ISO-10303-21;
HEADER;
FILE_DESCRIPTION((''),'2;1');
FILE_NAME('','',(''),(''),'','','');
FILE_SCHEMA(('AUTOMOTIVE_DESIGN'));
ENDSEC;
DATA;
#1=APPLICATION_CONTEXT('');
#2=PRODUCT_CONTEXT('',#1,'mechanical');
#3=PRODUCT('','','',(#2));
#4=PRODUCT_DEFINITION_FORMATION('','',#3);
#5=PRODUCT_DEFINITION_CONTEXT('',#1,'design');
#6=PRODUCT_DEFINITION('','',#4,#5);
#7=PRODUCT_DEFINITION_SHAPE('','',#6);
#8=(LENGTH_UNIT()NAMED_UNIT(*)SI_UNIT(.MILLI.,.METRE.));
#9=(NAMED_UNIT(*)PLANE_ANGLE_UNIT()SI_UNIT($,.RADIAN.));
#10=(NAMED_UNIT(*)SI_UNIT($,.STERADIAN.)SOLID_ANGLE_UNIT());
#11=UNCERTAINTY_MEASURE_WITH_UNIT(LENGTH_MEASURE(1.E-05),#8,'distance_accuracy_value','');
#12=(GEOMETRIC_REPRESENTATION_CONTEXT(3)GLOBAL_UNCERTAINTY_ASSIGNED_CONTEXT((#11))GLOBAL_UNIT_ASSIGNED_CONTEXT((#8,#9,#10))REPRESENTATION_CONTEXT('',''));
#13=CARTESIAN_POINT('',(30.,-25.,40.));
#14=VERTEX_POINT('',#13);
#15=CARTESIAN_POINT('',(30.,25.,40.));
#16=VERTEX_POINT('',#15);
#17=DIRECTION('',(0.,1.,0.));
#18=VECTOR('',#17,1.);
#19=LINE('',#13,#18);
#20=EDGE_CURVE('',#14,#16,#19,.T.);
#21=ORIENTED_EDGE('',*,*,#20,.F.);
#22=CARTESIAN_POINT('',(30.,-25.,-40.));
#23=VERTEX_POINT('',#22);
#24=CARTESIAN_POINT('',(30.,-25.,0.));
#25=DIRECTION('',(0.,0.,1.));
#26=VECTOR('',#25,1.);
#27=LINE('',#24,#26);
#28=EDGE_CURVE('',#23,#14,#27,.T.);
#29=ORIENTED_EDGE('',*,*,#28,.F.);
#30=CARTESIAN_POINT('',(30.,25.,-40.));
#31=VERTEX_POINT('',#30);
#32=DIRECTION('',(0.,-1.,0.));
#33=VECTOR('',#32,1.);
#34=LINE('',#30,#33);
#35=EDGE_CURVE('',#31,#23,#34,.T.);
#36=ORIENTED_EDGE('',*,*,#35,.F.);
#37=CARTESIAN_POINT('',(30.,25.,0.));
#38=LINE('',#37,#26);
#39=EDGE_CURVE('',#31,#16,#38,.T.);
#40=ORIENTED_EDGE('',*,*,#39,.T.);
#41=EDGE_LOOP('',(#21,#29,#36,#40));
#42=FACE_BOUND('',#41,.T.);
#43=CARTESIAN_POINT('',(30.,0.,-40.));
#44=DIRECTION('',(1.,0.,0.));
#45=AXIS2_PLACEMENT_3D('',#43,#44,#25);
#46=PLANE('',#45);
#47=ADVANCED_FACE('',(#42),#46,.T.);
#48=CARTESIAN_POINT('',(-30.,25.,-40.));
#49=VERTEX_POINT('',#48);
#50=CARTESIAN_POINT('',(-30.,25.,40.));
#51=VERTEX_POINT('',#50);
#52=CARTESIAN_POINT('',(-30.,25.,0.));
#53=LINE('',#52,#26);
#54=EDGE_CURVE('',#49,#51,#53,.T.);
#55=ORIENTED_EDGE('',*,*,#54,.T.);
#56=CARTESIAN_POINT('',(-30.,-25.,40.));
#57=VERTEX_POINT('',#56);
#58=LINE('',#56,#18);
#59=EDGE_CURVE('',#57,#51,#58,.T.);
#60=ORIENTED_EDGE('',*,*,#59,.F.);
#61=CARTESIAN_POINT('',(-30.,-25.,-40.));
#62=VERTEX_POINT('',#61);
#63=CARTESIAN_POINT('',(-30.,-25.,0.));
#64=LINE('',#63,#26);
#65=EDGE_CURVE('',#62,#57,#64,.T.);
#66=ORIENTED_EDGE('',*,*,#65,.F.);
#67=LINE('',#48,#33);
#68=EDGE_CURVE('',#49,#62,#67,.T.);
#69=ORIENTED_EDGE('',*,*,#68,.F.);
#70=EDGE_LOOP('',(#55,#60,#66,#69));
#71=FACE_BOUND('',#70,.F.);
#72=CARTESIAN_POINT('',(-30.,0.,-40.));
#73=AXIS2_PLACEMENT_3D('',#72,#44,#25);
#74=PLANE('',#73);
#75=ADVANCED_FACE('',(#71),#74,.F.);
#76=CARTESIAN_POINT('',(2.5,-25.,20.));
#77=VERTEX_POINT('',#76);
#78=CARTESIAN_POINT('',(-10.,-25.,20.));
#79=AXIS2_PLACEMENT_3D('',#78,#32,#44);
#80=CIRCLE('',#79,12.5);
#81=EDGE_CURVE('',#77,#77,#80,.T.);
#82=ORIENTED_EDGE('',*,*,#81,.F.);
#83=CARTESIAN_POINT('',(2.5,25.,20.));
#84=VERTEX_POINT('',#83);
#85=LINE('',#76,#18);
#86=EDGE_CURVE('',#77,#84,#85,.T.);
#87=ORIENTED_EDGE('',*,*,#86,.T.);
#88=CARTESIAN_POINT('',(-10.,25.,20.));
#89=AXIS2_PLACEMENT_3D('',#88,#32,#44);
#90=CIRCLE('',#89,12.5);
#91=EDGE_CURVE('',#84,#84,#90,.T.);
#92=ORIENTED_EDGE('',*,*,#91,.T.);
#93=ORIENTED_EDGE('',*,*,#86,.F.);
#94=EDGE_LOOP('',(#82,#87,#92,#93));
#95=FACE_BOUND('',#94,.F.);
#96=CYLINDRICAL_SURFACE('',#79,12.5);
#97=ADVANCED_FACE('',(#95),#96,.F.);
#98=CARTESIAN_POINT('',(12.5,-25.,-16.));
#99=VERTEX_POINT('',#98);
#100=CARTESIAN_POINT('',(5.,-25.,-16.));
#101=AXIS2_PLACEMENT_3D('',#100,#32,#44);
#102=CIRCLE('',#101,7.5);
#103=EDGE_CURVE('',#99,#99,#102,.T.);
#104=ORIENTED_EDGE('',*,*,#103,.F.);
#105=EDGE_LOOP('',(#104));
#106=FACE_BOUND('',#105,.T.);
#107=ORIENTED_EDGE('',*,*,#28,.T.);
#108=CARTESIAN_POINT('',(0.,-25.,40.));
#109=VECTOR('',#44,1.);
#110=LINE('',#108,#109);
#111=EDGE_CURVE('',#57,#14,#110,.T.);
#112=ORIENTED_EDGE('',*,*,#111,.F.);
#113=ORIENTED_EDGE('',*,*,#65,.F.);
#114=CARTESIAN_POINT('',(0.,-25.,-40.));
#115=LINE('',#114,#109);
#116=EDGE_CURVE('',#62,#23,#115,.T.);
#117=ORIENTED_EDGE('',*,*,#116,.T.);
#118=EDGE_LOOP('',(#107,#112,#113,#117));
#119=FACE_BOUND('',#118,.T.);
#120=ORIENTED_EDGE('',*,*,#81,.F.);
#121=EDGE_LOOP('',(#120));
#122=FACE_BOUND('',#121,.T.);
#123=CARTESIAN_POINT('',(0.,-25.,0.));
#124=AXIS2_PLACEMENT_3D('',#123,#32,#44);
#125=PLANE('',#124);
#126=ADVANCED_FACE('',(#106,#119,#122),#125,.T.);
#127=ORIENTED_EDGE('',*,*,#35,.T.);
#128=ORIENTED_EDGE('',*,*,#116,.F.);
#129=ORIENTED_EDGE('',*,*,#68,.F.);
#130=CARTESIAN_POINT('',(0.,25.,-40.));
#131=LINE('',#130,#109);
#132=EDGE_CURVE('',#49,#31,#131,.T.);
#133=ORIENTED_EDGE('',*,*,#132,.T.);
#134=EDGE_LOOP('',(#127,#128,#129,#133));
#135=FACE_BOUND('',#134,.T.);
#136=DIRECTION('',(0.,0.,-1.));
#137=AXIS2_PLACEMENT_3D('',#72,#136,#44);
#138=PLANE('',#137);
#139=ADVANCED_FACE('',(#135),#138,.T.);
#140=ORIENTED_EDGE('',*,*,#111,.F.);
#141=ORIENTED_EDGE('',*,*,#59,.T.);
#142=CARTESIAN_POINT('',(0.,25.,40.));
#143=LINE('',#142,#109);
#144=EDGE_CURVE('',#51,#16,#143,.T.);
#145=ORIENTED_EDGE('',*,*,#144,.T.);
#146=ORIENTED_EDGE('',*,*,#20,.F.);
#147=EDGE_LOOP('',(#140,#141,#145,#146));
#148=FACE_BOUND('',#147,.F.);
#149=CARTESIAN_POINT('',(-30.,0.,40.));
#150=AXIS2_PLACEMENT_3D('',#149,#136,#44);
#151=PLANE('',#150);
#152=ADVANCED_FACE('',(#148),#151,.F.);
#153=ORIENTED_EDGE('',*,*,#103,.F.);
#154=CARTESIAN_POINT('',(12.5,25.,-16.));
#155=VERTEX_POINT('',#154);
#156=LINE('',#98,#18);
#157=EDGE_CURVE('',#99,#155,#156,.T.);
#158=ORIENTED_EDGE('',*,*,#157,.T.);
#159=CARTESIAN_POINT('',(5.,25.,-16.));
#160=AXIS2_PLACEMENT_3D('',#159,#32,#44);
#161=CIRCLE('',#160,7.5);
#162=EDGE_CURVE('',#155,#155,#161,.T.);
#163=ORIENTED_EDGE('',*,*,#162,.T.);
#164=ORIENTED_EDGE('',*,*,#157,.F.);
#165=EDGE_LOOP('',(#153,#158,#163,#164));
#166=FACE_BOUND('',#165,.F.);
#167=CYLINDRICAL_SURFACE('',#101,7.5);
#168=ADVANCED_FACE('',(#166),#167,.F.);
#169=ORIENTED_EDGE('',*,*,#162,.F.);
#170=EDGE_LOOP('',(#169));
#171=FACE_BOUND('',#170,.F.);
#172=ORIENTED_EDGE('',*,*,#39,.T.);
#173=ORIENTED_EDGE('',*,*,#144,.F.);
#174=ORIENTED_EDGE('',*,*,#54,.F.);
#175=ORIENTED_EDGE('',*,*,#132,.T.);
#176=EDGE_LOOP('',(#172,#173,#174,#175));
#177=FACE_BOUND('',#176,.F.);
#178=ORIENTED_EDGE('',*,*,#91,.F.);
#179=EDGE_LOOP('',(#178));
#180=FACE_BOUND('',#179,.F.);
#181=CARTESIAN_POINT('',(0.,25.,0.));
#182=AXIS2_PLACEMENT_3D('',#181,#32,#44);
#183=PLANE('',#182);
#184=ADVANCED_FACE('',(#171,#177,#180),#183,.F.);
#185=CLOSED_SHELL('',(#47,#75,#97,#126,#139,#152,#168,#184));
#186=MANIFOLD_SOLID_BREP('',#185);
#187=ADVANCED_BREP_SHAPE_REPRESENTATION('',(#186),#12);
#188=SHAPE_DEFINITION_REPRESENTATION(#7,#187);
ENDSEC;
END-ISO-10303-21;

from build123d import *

# Parameters (mm, degrees)
F0_W     = 60
F0_H     = 80
F1_DEPTH = 25
F2_R     = 12.5
F2_R_2   = 7.5
F3_DEPTH = 50


with BuildPart() as f1:
    # F0 (on Front) → F1 (new body, symmetric)
    with BuildSketch(Plane.XZ):
        Rectangle(F0_W, F0_H)
    extrude(amount=F1_DEPTH, both=True)

    # F2 (on face) → F3 (cut, through all)
    with BuildSketch(Plane.XZ.offset(25)):
        with Locations((-10, 20)):
            Circle(F2_R)
        with Locations((5, -16)):
            Circle(F2_R_2)
    extrude(amount=-F3_DEPTH, mode=Mode.SUBTRACT)


solid = f1.part
